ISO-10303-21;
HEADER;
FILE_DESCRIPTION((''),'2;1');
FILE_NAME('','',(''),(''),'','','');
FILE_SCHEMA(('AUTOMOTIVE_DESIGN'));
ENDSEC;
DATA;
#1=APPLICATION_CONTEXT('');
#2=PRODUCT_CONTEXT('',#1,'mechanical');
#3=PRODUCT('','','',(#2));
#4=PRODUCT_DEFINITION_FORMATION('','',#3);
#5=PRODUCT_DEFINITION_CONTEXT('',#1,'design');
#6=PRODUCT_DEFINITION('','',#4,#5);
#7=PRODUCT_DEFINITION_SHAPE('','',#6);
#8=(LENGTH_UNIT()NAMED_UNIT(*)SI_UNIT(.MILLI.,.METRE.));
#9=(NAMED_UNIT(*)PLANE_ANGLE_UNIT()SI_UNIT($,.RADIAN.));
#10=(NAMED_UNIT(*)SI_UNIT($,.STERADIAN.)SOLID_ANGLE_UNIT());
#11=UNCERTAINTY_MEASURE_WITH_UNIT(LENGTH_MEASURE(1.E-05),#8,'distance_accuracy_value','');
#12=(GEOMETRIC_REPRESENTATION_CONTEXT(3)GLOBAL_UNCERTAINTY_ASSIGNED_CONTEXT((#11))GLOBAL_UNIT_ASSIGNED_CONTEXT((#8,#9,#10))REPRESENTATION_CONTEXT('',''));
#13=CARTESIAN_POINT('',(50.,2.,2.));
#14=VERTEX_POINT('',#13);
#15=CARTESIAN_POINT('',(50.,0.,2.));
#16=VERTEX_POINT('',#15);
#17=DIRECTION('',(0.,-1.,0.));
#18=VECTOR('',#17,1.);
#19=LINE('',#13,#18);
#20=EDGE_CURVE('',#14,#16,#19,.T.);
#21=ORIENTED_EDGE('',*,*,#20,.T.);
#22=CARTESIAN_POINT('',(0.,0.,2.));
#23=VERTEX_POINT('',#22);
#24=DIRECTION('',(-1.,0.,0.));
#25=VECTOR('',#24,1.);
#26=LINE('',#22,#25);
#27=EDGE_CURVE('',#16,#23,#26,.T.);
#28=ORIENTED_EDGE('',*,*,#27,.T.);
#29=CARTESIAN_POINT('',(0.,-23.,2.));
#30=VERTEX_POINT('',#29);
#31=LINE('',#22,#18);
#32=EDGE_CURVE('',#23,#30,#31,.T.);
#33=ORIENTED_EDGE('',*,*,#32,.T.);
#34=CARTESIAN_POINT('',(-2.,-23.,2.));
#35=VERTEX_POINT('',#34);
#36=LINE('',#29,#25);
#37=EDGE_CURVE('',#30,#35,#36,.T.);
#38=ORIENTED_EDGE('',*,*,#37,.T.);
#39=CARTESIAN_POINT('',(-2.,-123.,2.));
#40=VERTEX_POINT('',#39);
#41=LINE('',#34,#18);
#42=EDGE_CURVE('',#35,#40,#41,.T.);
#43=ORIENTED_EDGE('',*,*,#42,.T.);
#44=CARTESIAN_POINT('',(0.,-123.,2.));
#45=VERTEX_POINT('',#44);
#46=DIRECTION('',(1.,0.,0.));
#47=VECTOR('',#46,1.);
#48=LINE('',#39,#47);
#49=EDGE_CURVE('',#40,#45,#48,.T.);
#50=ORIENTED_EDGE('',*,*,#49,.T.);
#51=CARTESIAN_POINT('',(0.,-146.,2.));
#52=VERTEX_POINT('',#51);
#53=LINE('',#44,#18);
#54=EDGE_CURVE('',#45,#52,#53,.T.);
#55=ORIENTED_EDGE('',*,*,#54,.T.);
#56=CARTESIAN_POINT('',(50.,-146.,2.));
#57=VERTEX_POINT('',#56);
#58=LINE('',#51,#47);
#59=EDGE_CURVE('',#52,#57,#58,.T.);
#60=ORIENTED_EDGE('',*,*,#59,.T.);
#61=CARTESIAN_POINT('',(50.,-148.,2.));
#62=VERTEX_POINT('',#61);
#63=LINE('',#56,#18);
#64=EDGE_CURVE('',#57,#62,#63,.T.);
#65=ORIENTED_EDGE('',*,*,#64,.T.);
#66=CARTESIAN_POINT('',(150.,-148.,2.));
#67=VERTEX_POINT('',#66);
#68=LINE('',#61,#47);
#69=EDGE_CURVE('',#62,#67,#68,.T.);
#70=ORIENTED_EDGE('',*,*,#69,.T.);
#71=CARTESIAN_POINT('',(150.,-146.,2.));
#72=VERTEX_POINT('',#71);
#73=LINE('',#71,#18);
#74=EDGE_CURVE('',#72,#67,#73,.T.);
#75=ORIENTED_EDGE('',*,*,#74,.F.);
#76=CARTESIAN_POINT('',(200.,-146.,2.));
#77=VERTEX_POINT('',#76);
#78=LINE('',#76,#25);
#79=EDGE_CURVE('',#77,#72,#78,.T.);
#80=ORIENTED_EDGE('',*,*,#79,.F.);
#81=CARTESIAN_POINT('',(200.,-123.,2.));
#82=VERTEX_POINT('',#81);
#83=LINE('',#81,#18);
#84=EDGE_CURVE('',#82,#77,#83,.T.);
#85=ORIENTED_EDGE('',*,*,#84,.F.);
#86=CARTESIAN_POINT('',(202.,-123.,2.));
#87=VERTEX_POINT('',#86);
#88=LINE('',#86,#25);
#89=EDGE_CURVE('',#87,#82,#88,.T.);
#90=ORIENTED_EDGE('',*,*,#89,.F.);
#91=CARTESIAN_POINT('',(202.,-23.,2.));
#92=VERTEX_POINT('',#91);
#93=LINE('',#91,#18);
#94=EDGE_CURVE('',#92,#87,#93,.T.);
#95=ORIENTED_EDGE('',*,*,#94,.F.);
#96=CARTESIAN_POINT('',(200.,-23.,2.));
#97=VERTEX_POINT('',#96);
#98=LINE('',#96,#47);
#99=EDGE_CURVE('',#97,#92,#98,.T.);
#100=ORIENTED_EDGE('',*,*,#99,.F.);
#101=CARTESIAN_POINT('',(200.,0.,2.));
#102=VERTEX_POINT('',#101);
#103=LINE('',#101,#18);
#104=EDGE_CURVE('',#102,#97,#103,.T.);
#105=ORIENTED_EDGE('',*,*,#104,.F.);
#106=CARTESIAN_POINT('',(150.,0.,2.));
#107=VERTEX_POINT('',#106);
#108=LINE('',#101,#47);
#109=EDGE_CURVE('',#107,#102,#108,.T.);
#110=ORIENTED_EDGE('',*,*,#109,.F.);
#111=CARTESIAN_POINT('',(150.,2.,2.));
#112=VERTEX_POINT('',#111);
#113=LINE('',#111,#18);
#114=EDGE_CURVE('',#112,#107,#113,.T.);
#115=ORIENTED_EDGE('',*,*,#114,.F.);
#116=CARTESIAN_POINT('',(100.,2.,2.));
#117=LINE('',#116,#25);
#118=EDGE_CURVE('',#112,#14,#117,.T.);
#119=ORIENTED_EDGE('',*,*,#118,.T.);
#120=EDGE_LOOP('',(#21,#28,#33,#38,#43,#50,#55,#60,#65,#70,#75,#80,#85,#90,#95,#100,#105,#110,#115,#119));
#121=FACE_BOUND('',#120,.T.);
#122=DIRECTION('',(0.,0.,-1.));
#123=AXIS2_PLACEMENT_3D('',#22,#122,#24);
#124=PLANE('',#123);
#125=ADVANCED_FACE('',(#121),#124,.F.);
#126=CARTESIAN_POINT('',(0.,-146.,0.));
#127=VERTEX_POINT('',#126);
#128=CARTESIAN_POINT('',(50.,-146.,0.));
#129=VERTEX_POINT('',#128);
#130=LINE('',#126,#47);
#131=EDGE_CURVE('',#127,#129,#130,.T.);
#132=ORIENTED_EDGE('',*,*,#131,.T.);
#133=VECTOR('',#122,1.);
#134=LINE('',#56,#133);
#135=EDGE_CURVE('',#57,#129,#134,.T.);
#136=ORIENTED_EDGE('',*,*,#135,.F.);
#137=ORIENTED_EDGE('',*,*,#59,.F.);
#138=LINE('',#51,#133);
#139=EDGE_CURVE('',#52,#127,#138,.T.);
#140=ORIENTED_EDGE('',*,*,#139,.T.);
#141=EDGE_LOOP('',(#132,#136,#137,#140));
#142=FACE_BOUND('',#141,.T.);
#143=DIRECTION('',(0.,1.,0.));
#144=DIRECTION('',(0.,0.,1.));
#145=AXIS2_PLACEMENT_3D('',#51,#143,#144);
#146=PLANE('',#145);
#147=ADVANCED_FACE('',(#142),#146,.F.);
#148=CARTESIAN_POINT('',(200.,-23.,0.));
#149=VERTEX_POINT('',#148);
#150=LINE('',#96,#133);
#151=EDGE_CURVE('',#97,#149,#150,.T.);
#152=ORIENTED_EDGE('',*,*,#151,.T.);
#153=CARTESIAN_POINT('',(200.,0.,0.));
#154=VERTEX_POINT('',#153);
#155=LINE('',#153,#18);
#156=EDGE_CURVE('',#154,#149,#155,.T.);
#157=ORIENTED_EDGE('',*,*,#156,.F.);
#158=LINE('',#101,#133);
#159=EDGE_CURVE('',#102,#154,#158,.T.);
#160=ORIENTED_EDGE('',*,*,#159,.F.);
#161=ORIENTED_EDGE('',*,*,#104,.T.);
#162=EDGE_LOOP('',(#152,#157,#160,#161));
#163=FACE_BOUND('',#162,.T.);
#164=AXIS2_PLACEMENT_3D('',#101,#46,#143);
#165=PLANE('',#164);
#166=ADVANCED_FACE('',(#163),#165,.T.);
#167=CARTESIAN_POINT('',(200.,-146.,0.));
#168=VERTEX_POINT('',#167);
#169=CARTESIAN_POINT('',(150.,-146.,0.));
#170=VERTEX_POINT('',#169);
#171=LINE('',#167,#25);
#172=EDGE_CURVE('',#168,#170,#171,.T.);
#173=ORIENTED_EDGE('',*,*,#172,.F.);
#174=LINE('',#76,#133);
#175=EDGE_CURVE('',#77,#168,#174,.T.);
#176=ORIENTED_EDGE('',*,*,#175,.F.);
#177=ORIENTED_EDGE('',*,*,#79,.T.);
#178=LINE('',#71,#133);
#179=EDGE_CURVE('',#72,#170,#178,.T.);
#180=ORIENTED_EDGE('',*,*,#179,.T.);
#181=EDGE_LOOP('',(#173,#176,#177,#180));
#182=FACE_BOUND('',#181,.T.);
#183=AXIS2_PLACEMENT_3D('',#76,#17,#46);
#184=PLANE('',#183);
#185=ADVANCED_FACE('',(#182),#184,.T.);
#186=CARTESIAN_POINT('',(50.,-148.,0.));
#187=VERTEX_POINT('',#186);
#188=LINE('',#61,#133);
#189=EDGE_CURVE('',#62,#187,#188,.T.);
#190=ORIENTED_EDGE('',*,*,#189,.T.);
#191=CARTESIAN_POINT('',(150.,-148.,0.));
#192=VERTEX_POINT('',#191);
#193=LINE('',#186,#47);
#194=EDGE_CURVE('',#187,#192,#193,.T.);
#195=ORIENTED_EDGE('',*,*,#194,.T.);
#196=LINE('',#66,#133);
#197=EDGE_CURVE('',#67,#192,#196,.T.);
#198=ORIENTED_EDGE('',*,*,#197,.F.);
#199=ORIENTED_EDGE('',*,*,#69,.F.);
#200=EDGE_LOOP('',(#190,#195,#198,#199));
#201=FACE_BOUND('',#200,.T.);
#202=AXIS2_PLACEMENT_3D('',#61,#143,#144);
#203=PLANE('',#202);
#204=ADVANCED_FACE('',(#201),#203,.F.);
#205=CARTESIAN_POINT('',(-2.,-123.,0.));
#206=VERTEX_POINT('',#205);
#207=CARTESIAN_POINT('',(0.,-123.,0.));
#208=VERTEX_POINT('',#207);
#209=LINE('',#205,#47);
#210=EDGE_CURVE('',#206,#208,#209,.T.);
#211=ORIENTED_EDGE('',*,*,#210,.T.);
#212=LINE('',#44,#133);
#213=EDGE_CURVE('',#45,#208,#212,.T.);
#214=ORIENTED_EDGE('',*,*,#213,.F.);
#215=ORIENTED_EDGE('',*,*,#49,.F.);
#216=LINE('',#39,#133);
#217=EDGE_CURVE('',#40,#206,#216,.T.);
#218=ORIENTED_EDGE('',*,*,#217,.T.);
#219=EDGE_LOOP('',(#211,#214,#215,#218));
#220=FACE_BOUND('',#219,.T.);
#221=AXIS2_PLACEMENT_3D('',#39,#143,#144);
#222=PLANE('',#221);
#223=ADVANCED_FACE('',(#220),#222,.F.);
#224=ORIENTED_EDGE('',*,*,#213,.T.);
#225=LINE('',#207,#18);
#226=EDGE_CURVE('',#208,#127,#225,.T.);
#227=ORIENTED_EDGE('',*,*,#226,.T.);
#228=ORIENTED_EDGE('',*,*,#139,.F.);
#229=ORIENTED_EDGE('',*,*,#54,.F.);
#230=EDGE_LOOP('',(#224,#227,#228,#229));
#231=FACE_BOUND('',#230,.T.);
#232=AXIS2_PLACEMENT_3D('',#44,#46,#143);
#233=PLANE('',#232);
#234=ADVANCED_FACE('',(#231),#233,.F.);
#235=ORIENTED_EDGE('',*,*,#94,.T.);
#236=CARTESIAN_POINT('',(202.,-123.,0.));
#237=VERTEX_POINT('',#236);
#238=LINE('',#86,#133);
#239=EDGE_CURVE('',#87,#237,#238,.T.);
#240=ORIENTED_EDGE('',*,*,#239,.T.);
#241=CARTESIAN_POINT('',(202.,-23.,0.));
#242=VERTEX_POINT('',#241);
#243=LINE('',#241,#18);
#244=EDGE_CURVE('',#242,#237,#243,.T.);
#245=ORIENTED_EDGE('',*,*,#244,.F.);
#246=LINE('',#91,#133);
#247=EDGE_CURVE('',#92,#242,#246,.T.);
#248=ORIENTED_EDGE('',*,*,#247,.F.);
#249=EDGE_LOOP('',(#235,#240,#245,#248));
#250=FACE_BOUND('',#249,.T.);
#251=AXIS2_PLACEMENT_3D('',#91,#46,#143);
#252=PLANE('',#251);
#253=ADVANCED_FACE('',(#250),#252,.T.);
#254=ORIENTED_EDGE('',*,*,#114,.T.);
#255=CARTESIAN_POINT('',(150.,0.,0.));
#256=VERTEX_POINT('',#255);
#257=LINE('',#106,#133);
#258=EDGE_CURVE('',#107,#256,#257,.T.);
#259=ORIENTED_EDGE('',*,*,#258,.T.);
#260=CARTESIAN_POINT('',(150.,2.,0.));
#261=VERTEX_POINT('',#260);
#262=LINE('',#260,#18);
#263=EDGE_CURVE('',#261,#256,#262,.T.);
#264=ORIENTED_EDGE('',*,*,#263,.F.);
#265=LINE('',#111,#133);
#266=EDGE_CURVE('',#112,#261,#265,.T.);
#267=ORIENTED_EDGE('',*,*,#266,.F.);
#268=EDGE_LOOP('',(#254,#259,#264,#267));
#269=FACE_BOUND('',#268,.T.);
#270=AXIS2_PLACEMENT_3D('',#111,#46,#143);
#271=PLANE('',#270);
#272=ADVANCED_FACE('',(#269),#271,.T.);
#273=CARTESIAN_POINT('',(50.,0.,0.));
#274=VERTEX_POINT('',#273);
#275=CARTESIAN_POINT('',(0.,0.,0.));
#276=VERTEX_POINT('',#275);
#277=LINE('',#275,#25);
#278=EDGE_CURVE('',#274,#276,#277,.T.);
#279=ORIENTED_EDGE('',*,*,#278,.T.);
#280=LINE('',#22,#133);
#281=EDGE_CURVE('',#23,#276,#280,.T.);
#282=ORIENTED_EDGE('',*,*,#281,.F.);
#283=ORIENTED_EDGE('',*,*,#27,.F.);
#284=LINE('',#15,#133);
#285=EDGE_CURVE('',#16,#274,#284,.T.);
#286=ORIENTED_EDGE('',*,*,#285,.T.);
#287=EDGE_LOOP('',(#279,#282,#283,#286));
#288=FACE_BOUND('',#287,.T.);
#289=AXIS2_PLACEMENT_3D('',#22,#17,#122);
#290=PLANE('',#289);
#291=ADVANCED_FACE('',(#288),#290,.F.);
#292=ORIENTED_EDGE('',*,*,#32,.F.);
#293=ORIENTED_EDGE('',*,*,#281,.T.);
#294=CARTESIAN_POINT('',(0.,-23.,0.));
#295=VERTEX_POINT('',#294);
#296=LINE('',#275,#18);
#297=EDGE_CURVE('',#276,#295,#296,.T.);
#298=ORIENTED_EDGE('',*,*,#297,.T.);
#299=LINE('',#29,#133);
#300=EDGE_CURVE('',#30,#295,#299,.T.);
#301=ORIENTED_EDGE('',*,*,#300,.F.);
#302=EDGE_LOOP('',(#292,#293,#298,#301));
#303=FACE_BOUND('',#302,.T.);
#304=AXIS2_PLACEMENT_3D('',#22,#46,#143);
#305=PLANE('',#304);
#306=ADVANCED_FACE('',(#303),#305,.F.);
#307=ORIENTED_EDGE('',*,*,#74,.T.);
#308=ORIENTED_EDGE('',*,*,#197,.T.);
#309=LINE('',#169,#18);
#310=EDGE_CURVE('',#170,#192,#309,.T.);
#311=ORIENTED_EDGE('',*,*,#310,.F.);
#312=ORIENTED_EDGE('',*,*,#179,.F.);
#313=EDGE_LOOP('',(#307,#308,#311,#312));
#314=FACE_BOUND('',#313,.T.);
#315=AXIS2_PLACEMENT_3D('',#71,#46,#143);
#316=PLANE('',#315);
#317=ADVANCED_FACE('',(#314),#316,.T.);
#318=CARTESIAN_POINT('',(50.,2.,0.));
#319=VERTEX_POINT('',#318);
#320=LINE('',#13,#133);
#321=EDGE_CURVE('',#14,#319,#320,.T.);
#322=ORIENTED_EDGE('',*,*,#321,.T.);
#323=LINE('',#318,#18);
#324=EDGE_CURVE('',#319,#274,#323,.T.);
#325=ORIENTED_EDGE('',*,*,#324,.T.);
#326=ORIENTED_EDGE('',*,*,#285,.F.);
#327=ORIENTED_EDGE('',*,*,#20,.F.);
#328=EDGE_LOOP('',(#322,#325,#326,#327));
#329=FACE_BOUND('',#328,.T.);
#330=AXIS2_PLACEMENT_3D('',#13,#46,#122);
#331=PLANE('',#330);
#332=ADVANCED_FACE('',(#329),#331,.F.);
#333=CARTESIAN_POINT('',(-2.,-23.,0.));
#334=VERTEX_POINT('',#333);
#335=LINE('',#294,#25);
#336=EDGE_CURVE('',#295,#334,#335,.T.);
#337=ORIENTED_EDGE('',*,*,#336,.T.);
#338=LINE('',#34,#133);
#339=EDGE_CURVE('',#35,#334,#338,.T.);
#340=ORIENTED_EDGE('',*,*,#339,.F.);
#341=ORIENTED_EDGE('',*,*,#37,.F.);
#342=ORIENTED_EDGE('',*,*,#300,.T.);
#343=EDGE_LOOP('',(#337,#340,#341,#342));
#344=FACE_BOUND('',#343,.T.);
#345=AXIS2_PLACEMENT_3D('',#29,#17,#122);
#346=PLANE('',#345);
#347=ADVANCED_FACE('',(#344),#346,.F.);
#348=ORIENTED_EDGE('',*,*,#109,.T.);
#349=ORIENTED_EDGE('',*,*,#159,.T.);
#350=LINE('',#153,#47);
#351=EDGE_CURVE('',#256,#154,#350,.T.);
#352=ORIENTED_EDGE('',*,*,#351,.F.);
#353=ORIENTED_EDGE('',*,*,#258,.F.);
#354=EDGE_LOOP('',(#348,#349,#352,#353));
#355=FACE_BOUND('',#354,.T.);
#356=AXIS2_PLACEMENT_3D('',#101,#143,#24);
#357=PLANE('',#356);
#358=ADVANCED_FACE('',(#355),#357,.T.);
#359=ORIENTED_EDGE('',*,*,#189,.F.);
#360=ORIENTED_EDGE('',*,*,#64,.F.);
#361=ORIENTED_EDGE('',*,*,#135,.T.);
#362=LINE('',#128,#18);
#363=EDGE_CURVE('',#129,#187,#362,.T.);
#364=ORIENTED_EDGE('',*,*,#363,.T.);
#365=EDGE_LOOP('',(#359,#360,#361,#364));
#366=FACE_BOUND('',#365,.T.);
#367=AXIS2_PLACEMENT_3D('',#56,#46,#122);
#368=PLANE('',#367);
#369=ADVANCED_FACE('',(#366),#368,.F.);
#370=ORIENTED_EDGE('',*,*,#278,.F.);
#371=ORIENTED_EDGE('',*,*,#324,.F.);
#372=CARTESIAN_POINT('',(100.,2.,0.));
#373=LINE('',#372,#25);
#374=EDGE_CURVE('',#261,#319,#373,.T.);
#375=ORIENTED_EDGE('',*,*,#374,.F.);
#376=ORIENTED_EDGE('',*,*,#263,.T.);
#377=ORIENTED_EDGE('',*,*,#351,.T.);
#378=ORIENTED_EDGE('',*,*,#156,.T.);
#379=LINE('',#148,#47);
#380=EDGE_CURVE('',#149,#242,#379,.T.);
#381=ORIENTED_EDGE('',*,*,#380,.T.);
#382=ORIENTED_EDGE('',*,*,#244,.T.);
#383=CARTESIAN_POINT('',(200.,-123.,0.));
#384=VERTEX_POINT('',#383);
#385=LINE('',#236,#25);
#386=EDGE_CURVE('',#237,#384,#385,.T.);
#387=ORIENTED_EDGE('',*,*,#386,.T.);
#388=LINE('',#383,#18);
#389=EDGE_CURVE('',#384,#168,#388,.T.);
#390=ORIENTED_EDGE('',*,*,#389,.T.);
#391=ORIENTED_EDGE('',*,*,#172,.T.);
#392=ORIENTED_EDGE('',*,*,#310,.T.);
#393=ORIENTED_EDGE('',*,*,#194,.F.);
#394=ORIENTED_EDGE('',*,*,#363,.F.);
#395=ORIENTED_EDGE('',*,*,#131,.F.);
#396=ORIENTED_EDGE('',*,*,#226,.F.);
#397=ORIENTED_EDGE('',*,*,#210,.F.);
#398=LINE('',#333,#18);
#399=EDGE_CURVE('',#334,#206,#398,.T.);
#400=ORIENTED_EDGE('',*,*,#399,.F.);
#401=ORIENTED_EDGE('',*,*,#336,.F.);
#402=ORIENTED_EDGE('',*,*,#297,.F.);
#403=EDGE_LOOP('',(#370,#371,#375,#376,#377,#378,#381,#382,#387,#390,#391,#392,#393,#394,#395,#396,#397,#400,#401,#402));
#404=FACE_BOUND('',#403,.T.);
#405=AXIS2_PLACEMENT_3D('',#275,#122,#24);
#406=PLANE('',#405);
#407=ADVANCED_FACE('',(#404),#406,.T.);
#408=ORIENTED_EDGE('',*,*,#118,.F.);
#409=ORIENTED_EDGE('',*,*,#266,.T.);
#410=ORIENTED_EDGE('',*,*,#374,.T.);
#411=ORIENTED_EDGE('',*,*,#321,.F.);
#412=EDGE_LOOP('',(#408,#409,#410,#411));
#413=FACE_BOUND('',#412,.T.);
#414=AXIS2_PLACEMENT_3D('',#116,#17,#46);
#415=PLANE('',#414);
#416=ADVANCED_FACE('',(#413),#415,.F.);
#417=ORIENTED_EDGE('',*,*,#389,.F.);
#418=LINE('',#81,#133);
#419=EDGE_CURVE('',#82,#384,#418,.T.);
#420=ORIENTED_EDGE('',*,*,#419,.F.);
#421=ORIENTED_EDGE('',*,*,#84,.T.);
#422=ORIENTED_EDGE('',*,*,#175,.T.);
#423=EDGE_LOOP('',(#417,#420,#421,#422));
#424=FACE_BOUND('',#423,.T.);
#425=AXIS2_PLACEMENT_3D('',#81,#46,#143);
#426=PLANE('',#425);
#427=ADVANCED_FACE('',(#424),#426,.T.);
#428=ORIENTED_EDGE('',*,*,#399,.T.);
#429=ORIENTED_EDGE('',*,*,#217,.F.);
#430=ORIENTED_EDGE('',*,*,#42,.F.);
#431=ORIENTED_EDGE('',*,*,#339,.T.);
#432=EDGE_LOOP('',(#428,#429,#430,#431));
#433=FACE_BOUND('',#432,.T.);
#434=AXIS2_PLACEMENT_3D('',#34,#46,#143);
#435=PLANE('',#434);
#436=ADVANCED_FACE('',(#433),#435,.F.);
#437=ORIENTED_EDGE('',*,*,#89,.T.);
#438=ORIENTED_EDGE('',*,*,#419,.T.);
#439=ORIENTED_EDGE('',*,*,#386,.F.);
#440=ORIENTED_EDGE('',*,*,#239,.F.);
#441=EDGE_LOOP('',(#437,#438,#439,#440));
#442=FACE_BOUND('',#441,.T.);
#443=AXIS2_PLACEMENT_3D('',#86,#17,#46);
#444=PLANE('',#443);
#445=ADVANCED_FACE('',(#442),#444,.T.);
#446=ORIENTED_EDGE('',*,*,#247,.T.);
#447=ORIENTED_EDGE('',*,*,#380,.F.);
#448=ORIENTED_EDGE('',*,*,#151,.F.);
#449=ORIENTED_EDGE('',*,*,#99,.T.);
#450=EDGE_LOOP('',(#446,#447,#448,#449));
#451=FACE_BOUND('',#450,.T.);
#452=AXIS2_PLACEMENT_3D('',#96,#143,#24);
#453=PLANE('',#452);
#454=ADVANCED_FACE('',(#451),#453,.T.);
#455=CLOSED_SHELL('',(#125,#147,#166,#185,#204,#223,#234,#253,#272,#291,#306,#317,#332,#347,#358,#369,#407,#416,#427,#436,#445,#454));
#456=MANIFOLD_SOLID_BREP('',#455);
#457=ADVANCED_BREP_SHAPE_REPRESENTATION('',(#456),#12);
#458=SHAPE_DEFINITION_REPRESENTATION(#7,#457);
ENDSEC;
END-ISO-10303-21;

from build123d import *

# Parameters (mm, degrees)
BOSS_EXTRUDE1_DEPTH = 2


with BuildPart() as part:
    # Sketch1 → Boss-Extrude1 (new body)
    with BuildSketch(Plane.XY):
        Polygon((0, 0), (0, -23), (-2, -23), (-2, -123), (0, -123), (0, -146), (50, -146), (50, -148), (100, -148), (100, 2), (50, 2), (50, 0), align=None)
    boss_extrude1 = extrude(amount=BOSS_EXTRUDE1_DEPTH)

    # Mirror2: Boss-Extrude1 across plane
    add(boss_extrude1.mirror(Plane(origin=(100, -148, 2), x_dir=(0, 0, 1), z_dir=(-1, 0, 0))))


solid = part.part
